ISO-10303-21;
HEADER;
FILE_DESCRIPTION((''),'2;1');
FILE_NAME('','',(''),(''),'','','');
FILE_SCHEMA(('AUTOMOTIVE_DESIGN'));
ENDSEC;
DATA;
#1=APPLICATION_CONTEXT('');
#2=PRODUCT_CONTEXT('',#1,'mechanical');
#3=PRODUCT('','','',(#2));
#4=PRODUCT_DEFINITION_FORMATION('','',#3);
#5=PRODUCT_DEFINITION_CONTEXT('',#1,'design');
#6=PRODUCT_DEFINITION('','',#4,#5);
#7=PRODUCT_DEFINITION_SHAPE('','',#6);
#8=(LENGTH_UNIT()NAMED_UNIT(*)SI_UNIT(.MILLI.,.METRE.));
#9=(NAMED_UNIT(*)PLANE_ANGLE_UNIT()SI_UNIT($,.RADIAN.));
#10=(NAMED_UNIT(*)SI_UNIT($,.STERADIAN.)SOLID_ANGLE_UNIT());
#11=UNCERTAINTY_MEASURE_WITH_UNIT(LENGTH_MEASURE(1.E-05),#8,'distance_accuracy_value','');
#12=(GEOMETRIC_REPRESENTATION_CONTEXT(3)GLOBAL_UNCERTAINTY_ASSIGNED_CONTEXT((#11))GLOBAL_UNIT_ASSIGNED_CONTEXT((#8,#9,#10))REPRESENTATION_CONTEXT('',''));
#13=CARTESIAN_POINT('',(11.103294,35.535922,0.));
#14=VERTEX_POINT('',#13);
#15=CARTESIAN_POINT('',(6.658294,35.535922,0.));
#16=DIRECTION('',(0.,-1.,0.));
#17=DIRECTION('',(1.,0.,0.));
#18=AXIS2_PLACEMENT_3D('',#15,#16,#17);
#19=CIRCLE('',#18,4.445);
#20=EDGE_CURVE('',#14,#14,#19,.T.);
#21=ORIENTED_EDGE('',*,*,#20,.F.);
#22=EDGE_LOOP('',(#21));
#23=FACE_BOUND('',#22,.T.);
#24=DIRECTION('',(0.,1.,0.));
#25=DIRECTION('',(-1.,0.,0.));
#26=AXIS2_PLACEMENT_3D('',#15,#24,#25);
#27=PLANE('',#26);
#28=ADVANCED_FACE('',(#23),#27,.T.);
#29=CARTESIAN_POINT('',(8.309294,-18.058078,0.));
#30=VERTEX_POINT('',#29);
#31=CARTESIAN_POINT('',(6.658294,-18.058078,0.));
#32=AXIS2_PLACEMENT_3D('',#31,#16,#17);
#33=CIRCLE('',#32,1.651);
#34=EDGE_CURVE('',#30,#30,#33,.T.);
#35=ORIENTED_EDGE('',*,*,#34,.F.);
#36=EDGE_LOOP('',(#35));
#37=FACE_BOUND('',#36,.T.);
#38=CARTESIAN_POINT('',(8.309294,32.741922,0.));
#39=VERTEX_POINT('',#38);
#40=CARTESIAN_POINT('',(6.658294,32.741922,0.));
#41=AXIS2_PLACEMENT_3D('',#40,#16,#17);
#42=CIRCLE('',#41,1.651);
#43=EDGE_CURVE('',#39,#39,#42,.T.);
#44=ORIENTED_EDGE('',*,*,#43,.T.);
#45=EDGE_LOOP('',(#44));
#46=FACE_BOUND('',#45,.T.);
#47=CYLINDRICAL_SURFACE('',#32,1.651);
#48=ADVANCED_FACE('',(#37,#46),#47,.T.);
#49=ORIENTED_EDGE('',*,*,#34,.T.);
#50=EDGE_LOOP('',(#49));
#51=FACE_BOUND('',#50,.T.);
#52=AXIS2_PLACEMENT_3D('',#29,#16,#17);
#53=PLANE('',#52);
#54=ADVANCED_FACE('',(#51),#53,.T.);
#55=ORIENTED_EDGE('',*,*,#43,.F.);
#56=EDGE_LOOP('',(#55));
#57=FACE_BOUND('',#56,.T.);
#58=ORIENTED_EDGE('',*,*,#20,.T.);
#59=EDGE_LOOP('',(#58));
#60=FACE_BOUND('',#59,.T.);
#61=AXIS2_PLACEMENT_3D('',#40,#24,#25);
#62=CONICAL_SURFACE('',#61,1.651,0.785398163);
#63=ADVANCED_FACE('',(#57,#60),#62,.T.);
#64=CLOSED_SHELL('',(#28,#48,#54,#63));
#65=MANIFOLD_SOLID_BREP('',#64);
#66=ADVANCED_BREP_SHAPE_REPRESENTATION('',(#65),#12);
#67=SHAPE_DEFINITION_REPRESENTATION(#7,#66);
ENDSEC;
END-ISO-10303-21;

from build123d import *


with BuildPart() as part:
    # Sketch1 → Revolve1 (revolve)
    with BuildSketch(Plane.XY):
        Polygon((8.30929368, 32.741921933), (8.30929368, -18.058078067), (6.65829368, -18.058078067), (6.65829368, 35.535921933), (11.10329368, 35.535921933), align=None)
    revolve(axis=Axis((6.65829368, -18.058078067, 0), (0, 1, 0)))


solid = part.part
